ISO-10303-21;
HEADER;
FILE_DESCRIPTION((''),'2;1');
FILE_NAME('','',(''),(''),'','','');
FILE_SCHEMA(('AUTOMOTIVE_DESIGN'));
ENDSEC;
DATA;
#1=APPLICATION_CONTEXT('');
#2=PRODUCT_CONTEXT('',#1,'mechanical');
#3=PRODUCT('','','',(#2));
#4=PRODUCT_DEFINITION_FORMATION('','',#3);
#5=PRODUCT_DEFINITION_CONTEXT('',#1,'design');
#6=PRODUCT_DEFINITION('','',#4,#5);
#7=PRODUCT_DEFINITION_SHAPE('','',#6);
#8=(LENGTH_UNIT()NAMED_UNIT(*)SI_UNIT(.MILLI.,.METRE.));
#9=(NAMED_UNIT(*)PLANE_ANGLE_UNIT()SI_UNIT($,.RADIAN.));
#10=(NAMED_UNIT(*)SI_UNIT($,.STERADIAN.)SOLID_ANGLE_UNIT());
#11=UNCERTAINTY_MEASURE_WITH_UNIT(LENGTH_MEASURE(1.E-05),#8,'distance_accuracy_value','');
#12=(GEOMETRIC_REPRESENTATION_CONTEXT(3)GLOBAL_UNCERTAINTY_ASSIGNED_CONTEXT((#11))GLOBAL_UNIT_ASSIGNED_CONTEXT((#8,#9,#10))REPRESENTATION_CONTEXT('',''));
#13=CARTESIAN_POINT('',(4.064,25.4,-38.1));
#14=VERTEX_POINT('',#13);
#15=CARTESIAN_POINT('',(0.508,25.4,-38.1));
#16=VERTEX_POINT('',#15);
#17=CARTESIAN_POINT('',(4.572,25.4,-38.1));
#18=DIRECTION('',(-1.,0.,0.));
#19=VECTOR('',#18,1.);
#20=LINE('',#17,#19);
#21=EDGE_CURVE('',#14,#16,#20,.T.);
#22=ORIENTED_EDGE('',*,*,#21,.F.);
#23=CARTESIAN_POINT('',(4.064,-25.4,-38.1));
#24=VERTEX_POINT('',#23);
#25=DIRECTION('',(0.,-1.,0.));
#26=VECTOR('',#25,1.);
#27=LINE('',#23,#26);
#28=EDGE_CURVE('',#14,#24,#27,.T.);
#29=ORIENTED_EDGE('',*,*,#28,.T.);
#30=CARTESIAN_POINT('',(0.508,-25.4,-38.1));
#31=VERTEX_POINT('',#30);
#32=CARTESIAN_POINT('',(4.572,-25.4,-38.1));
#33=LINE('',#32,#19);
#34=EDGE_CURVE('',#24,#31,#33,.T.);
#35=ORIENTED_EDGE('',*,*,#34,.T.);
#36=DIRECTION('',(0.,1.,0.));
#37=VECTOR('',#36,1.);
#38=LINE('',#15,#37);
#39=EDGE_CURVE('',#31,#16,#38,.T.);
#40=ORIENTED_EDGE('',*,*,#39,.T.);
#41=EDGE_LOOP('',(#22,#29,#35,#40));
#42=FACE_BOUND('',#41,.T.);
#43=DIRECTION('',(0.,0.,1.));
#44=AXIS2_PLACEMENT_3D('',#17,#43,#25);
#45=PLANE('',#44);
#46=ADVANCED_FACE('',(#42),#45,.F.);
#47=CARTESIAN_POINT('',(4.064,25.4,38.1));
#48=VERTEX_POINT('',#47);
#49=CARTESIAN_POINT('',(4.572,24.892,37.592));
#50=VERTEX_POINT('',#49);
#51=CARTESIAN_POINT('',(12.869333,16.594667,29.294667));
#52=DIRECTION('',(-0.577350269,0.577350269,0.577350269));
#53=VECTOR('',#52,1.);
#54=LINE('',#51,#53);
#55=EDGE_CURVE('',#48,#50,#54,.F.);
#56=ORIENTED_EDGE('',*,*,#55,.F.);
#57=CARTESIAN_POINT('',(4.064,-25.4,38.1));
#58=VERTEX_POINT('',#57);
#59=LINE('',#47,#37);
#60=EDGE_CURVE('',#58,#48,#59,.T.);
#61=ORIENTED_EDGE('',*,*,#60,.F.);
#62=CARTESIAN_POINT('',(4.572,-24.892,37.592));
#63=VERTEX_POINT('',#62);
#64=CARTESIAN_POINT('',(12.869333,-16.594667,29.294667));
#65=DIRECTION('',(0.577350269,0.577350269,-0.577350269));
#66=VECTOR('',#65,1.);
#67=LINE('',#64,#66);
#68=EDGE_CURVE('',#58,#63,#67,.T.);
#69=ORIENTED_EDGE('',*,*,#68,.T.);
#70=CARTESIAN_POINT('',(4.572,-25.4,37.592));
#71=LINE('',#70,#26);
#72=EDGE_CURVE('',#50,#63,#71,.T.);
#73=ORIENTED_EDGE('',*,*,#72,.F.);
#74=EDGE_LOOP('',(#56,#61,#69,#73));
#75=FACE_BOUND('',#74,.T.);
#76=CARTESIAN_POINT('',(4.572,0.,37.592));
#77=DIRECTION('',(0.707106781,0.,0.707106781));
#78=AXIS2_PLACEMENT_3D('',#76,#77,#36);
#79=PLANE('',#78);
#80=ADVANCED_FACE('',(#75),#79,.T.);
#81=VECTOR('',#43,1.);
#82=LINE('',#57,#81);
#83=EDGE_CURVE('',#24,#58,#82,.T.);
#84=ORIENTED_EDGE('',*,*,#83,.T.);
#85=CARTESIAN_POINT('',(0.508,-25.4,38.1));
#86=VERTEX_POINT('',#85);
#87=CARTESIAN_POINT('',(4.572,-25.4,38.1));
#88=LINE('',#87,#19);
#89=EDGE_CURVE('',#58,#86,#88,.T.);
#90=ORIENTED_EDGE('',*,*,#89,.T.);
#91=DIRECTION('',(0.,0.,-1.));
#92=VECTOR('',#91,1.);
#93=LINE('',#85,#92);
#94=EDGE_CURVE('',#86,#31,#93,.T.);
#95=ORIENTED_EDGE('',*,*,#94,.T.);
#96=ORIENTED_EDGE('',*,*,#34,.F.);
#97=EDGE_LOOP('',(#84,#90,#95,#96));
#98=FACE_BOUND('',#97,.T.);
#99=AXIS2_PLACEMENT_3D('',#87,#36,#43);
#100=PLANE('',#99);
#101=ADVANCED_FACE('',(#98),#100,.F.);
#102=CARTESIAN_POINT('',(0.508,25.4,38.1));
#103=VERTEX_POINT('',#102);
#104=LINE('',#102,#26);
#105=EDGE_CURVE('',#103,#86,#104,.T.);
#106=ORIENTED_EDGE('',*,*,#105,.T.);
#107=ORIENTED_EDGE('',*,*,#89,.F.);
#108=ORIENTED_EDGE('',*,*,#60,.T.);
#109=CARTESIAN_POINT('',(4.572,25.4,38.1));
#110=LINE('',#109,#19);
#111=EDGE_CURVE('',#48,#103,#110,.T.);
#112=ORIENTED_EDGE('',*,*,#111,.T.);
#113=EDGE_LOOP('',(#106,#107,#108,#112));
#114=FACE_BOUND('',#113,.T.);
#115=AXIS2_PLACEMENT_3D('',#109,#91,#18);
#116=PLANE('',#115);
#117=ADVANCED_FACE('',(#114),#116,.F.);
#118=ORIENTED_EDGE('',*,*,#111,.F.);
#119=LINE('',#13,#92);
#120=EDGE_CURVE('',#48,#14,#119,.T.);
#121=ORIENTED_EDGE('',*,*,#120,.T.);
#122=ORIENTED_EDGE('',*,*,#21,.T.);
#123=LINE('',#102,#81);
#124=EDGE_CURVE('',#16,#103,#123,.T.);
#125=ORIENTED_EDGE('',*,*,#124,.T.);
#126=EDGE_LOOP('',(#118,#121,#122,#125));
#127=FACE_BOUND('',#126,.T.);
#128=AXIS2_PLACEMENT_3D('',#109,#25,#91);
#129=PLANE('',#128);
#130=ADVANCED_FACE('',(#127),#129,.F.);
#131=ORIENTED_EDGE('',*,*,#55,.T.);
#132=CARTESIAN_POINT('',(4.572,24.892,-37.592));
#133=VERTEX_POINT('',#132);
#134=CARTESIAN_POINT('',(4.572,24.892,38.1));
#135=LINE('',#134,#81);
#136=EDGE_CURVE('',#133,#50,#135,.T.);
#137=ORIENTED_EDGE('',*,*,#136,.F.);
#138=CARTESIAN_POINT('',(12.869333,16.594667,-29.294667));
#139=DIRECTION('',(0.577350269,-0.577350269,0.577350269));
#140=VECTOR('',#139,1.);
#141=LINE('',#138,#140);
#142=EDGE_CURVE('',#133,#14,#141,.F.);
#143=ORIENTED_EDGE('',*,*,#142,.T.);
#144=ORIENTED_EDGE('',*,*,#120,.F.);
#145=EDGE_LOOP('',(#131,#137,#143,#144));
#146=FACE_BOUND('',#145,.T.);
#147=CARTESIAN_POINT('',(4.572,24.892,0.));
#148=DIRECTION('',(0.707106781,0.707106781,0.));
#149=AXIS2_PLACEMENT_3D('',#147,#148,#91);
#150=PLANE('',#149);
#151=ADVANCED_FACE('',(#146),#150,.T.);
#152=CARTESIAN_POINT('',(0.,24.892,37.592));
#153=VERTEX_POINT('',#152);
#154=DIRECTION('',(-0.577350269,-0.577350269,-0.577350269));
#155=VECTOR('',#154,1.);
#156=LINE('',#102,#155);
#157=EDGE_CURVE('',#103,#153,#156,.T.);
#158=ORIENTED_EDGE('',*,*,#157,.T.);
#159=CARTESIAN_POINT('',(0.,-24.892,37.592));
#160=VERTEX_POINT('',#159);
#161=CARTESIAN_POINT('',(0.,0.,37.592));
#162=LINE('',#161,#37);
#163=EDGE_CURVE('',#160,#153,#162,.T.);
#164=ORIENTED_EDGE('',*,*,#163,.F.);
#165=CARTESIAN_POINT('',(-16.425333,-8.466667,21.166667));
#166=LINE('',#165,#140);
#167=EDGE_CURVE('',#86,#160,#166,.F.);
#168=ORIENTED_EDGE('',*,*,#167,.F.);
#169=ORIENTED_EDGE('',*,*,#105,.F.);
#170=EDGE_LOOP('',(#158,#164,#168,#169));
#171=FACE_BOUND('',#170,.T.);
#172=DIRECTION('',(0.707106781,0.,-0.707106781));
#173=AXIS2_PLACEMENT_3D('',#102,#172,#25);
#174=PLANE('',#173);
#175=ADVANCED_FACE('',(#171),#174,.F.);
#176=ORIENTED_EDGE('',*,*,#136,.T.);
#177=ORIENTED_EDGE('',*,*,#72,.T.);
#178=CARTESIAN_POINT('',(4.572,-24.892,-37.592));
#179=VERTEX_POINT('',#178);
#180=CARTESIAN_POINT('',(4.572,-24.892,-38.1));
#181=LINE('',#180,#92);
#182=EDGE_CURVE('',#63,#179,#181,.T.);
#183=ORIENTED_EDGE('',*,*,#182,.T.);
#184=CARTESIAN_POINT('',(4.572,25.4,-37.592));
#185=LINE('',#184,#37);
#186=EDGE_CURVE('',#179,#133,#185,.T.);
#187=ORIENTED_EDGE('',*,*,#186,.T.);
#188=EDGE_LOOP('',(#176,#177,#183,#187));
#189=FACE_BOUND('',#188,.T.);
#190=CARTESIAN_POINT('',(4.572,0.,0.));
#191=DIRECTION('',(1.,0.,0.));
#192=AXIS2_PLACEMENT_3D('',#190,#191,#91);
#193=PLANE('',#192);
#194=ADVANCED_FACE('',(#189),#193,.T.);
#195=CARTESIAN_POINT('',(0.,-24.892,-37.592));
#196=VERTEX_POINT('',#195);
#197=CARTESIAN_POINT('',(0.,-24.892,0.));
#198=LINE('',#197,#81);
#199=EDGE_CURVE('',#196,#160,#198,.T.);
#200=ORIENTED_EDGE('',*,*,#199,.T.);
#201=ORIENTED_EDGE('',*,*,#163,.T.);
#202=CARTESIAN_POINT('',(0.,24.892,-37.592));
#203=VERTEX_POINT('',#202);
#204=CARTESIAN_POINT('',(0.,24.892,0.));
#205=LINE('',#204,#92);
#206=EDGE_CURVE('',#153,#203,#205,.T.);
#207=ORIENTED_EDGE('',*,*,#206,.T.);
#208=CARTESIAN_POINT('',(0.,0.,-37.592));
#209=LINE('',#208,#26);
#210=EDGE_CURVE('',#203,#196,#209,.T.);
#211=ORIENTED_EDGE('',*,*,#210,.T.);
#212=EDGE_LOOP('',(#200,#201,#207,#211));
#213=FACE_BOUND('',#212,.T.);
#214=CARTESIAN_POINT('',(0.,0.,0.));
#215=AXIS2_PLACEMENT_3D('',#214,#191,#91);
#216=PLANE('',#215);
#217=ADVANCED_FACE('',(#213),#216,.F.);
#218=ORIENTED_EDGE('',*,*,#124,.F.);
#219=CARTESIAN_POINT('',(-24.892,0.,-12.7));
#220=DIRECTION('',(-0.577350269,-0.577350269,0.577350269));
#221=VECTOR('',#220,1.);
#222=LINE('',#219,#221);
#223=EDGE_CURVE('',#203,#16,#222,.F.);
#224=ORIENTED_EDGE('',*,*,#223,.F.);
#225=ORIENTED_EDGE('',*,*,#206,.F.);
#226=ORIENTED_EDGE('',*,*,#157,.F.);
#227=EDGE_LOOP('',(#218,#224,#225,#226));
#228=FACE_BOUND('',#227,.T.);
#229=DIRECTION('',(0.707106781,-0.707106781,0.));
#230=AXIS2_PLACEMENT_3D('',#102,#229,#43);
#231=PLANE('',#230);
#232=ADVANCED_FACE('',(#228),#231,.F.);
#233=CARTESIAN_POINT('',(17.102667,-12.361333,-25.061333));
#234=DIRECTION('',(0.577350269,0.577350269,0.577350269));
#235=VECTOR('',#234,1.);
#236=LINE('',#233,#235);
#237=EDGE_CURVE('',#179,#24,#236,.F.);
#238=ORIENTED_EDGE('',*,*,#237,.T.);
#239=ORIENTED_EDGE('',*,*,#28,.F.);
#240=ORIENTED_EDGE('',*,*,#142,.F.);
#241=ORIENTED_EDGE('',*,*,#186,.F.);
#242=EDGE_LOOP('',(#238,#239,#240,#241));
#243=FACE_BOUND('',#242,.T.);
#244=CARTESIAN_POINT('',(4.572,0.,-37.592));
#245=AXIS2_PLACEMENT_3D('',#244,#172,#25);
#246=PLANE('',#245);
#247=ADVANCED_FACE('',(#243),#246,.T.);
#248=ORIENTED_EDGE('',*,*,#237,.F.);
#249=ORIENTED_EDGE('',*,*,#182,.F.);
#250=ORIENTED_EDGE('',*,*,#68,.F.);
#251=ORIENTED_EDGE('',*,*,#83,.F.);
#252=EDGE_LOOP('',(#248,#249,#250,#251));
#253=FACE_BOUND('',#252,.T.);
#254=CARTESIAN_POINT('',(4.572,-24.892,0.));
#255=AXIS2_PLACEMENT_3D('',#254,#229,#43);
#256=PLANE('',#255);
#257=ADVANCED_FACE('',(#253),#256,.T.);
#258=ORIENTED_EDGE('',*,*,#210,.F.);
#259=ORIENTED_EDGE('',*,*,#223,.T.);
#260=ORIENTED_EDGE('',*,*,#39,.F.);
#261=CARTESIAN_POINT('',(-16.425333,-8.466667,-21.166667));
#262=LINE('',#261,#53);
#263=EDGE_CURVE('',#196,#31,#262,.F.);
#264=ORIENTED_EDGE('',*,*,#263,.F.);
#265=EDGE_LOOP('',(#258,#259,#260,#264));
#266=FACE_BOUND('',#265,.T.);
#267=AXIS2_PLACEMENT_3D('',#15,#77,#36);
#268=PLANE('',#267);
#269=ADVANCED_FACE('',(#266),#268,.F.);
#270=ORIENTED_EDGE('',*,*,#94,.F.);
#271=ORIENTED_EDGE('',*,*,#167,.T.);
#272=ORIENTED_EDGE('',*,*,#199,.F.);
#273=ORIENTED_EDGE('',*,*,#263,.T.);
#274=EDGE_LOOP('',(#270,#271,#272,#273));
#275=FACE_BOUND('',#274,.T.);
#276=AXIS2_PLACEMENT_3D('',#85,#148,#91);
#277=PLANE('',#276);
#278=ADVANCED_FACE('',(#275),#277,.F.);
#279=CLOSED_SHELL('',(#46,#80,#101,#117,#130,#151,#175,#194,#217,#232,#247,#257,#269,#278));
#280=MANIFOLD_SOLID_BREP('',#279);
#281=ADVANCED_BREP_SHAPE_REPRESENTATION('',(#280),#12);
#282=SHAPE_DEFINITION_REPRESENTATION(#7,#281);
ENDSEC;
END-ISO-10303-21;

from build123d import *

# Parameters (mm, degrees)
SKETCH1_W           = 76.2
SKETCH1_H           = 50.8
BOSS_EXTRUDE1_DEPTH = 4.572
CHAMFER1_SIZE       = 0.508


with BuildPart() as part:
    # Sketch1 → Boss-Extrude1 (new body)
    with BuildSketch(Plane(origin=(0, 0, 0), x_dir=(0, 0, -1), z_dir=(1, 0, 0))):
        Rectangle(SKETCH1_W, SKETCH1_H)
    extrude(amount=BOSS_EXTRUDE1_DEPTH)

    # Chamfer1
    chamfer1_edges = [part.edges().sort_by_distance(p)[0] for p in [
        (4.572, 0, -38.1),
        (4.572, 25.4, 0),
        (4.572, 0, 38.1),
        (0, 25.4, 0),
        (0, 0, -38.1),
        (0, -25.4, 0),
        (0, 0, 38.1),
        (4.572, -25.4, 0),
    ]]
    chamfer(chamfer1_edges, length=CHAMFER1_SIZE)


solid = part.part
